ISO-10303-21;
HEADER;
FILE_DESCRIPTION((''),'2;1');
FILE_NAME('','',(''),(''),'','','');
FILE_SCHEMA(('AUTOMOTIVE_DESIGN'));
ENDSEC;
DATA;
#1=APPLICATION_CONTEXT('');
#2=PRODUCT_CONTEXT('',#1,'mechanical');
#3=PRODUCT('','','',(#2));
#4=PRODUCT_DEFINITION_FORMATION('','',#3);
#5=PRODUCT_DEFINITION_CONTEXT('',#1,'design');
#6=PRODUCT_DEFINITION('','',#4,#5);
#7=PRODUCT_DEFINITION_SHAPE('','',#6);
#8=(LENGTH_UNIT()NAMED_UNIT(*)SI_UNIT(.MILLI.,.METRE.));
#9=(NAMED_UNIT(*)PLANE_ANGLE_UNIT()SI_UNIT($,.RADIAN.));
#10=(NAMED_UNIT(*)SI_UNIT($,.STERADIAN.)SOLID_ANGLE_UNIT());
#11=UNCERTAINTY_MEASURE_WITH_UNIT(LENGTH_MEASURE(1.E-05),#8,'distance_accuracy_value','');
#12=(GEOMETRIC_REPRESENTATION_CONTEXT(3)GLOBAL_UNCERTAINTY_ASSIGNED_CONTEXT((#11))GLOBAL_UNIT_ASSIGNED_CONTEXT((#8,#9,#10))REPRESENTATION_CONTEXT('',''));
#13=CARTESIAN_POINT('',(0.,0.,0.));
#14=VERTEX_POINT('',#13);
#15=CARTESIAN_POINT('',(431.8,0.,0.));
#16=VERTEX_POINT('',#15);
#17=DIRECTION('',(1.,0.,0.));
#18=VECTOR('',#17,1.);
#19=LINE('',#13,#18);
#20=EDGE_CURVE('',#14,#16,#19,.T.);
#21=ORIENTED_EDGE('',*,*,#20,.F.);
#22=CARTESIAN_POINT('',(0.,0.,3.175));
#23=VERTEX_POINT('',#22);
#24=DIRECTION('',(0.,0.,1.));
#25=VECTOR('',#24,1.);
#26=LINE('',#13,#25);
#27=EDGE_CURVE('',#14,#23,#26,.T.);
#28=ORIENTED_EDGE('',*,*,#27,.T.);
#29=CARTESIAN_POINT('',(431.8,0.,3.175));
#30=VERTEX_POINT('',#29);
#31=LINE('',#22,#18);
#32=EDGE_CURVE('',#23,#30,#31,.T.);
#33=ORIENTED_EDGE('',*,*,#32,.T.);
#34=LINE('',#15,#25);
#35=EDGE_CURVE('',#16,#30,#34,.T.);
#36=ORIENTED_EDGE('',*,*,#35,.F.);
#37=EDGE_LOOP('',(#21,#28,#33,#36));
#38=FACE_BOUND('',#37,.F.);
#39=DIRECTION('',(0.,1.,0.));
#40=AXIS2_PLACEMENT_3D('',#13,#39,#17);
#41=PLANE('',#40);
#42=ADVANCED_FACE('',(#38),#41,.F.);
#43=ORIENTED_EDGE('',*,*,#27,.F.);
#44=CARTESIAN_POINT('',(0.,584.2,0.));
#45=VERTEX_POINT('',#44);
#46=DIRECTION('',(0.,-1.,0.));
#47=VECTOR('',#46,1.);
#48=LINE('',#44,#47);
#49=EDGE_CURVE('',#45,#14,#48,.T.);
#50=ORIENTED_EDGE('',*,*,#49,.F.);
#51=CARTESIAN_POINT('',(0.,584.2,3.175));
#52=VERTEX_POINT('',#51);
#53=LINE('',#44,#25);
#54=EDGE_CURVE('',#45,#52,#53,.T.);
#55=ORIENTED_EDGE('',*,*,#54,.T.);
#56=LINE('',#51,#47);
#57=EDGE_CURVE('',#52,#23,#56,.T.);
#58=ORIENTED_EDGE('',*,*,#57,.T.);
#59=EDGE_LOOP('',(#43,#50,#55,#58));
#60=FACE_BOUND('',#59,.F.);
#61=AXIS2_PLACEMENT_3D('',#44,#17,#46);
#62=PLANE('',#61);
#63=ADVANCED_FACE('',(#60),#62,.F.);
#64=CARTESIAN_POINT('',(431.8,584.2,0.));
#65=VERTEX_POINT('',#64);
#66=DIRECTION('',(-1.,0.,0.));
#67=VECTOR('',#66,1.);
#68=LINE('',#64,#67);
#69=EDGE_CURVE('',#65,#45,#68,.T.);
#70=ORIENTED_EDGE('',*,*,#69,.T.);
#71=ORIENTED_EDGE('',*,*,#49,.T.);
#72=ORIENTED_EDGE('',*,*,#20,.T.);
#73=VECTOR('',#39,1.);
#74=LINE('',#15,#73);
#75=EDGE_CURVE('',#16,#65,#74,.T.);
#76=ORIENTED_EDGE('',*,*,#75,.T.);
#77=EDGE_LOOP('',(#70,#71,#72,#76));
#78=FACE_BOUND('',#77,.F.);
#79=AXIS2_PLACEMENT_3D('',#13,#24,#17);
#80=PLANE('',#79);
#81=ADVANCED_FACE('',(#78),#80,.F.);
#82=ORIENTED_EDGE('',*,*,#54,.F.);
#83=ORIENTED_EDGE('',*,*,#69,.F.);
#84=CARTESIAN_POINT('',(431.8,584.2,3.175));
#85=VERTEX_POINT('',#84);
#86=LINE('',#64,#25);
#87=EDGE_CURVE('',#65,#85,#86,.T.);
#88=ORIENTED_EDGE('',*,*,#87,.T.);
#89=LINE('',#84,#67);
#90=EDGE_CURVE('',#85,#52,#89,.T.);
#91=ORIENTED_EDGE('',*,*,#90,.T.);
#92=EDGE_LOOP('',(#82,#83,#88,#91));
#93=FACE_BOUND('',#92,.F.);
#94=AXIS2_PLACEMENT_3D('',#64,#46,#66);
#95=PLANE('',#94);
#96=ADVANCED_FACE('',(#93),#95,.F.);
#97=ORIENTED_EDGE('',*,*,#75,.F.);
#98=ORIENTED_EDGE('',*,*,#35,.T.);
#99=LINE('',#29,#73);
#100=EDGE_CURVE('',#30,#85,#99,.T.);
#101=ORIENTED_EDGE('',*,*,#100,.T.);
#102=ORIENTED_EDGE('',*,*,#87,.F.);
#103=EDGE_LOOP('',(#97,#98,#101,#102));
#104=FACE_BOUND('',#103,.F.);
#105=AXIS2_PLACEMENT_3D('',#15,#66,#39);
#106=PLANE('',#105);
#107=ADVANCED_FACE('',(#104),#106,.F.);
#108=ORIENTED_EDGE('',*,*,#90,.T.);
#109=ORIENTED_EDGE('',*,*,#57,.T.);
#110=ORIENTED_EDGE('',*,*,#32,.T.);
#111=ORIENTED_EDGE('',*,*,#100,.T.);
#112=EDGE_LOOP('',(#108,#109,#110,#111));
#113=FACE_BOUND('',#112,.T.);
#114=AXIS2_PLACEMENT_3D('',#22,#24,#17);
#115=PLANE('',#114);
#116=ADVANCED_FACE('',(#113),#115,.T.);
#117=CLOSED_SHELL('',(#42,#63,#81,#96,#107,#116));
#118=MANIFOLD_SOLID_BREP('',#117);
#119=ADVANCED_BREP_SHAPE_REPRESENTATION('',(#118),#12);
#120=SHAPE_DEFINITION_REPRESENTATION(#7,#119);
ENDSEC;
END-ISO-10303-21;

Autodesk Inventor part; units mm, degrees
ref_plane "YZ Plane" through (0, 0, 0) normal (1, 0, 0) x (0, 1, 0)
ref_plane "XZ Plane" through (0, 0, 0) normal (0, 1, 0) x (-1, 0, 0)
ref_plane "XY Plane" through (0, 0, 0) normal (0, 0, 1) x (1, 0, 0)
sketch "Sketch1" plane through (0, 0, 0) normal (0, 0, 1) x (1, 0, 0)
  line L0 (0, 0) -> (431.8, 0)
  line L1 (431.8, 0) -> (431.8, 584.2)
  line L2 (431.8, 584.2) -> (0, 584.2)
  line L3 (0, 584.2) -> (0, 0)
  dimension "d0" = 431.8
  dimension "d1" = 584.2
extrude "Extrusion1" add sketch "Sketch1" along normal blind 3.175
properties part number "window glass" material "Glass"
